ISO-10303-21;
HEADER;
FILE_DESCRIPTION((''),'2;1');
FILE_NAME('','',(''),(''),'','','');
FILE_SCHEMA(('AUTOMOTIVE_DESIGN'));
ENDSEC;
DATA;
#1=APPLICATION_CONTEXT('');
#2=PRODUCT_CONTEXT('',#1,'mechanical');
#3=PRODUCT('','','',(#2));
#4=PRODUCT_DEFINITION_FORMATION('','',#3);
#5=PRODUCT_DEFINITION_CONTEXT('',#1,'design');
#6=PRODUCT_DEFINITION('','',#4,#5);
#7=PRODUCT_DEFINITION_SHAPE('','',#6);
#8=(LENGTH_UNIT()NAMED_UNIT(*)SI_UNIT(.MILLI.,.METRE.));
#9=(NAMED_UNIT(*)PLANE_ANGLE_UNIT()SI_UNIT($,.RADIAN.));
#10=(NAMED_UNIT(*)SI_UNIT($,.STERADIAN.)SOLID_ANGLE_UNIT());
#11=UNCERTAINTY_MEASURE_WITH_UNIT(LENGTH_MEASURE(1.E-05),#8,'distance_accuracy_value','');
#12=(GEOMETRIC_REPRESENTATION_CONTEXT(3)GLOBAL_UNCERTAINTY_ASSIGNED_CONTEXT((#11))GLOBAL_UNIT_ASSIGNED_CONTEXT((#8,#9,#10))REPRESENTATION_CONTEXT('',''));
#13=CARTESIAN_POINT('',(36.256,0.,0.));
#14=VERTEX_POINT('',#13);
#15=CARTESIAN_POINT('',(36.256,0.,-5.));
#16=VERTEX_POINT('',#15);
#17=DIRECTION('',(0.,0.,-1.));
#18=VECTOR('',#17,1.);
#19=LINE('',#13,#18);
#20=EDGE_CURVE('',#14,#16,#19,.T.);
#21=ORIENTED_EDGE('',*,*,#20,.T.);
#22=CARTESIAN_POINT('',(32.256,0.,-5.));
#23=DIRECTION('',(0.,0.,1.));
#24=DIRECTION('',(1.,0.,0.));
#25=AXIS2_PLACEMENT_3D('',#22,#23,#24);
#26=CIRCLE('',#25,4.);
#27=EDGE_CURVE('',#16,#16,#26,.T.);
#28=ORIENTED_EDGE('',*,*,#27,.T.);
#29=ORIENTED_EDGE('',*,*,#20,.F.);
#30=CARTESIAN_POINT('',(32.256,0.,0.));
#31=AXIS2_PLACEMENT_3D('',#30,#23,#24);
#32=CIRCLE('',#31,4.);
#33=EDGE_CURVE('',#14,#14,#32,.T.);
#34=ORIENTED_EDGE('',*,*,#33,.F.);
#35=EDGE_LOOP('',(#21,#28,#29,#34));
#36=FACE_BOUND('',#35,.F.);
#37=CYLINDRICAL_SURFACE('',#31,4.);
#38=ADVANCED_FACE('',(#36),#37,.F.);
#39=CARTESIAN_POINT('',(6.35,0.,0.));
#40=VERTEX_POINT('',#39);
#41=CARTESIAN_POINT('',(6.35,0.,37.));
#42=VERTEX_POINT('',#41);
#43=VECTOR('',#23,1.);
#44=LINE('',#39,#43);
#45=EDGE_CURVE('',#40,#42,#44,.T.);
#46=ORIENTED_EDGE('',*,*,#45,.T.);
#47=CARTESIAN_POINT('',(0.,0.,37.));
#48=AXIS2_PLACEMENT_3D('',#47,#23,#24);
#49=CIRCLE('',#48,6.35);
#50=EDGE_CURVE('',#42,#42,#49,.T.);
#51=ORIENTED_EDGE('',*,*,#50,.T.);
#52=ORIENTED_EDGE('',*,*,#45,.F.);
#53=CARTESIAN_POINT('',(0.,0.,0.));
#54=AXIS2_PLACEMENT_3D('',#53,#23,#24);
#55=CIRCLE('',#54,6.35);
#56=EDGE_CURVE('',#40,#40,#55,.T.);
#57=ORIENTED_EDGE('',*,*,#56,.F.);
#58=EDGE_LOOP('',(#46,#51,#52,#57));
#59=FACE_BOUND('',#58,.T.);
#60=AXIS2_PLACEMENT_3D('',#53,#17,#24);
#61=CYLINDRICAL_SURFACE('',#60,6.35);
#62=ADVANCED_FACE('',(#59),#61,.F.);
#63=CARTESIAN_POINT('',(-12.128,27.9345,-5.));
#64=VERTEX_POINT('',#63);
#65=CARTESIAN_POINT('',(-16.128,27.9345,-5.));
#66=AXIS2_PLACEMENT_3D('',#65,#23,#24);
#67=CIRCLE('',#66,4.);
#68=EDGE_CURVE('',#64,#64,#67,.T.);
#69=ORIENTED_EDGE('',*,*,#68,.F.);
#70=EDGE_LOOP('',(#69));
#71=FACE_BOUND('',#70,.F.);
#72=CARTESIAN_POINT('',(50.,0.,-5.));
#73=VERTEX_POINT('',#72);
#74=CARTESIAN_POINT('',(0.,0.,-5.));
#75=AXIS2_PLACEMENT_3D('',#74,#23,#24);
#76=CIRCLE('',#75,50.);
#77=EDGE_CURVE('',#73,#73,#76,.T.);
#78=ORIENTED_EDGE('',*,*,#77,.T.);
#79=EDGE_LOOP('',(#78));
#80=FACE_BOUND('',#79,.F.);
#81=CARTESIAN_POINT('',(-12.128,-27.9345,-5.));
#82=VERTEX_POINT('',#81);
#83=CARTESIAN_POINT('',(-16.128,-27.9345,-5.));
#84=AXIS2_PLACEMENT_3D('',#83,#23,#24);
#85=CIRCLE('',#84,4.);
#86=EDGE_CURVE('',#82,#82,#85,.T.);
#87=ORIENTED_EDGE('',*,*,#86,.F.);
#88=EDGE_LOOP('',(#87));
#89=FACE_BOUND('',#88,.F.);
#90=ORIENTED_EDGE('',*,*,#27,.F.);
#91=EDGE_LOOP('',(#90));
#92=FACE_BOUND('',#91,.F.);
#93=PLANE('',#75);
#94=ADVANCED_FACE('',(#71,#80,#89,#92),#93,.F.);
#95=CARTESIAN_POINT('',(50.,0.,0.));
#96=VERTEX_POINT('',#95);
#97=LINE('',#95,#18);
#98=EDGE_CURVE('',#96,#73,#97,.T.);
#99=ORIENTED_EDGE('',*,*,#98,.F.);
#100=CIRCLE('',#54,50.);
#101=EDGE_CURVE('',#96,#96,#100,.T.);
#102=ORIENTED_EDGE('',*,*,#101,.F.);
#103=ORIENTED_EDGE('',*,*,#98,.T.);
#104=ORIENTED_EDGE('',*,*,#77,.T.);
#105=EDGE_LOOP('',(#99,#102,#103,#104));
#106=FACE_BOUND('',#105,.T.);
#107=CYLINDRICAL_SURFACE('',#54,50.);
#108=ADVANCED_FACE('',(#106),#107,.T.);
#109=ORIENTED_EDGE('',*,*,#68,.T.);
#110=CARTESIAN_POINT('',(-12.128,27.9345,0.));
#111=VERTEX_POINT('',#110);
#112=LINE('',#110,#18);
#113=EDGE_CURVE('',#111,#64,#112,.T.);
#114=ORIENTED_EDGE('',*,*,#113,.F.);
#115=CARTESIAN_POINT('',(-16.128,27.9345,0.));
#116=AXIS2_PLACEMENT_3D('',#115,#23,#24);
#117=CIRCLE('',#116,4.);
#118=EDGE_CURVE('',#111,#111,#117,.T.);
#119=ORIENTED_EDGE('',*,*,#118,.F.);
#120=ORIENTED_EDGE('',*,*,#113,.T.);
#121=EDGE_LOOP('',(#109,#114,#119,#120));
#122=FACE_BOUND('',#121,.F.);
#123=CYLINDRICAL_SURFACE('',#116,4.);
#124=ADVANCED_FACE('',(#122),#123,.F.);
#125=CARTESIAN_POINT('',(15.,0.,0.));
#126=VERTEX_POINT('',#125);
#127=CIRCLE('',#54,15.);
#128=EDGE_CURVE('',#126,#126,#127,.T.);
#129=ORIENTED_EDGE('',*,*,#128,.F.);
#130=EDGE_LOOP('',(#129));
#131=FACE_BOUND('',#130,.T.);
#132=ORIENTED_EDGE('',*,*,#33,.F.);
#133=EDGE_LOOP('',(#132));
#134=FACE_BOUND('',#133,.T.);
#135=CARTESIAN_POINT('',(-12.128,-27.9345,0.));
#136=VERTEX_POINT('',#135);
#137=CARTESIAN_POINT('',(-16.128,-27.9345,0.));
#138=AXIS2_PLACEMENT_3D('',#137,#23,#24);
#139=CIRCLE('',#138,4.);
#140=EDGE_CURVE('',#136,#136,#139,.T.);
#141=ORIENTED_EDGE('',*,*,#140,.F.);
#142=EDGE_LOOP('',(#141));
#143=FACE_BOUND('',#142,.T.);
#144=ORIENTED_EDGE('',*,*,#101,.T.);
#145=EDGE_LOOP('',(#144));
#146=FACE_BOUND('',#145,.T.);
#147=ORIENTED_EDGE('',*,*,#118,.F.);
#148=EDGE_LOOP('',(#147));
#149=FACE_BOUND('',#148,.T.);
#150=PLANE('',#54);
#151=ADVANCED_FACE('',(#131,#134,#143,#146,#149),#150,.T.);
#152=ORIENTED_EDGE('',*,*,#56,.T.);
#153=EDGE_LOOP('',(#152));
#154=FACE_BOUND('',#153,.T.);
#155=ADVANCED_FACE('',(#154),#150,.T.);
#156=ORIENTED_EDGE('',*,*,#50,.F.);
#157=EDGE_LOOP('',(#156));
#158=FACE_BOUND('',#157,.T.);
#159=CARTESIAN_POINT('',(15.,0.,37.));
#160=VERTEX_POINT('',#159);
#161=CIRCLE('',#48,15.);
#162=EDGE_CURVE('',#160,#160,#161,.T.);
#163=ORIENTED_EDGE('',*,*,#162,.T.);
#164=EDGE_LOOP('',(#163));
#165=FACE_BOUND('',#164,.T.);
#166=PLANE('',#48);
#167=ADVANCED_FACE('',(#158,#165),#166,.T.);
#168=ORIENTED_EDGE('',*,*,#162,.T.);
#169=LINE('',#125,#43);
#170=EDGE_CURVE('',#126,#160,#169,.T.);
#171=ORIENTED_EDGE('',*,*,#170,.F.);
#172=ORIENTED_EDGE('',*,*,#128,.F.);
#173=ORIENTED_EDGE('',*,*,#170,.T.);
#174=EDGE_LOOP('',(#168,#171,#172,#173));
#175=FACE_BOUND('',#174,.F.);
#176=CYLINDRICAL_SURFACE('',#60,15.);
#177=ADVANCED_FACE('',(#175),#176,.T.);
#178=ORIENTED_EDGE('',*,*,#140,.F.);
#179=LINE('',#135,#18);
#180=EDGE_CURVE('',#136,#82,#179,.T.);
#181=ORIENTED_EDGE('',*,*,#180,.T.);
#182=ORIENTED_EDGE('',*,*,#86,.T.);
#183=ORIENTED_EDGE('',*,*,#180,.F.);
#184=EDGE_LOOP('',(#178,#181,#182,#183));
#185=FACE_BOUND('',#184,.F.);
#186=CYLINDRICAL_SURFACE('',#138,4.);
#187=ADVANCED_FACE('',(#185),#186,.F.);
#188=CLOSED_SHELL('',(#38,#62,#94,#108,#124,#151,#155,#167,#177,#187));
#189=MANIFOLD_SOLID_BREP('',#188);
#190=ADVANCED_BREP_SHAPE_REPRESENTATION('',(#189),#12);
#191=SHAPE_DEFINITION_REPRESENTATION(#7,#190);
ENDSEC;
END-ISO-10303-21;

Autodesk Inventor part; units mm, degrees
ref_plane "YZ Plane" through (0, 0, 0) normal (1, 0, 0) x (0, 1, 0)
ref_plane "XZ Plane" through (0, 0, 0) normal (0, 1, 0) x (-1, 0, 0)
ref_plane "XY Plane" through (0, 0, 0) normal (0, 0, 1) x (1, 0, 0)
sketch "Sketch1" plane through (0, 0, 0) normal (0, 0, 1) x (1, 0, 0)
  circle A0 centre (0, 0) radius 100
  line L0 (0, 100) -> (86.6025, 50)
  line L1 (86.6025, 50) -> (86.6025, -50)
  line L2 (86.6025, -50) -> (0, -100)
  line L3 (0, -100) -> (-86.6025, -50)
  line L4 (-86.6025, -50) -> (-86.6025, 50)
  line L5 (-86.6025, 50) -> (0, 100)
  circle A1 centre (0, 0) radius 50
  circle A2 centre (0, 0) radius 15
  circle A3 centre (0, 0) radius 6.35
  circle A4 centre (32.256, 0) radius 4
  circle A5 centre (-16.128, 27.9345) radius 4
  circle A6 centre (-16.128, -27.9345) radius 4
  dimension "d0" = 200
  dimension "d1" = 100
  dimension "d2" = 30
  dimension "d3" = 12.7
  dimension "d4" = 8
  dimension "d7" = 360
extrude "Plate1" add sketch "Sketch1" against normal blind 5 contours A1 | A2 | A3
extrude "Extrusion1" add sketch "Sketch1" along normal blind 37 contours A2
thread "Thread1" size "M14x2" class "6H" standard "ANSI Metric M Profile" full length
equation "\"d9\" = Thickness"
equation "\"BendRadius\" = Thickness"
equation "\"BendReliefWidth\" = Thickness"
equation "\"BendReliefDepth\" = 0.5 * Thickness"
equation "\"TransitionRadius\" = BendRadius"
equation "\"JacobiRadiusSize\" = BendRadius"
equation "\"GapSize\" = Thickness"
equation "\"Thickness\" = 5"
properties part number "Test flange" material "Aluminum 6061"
